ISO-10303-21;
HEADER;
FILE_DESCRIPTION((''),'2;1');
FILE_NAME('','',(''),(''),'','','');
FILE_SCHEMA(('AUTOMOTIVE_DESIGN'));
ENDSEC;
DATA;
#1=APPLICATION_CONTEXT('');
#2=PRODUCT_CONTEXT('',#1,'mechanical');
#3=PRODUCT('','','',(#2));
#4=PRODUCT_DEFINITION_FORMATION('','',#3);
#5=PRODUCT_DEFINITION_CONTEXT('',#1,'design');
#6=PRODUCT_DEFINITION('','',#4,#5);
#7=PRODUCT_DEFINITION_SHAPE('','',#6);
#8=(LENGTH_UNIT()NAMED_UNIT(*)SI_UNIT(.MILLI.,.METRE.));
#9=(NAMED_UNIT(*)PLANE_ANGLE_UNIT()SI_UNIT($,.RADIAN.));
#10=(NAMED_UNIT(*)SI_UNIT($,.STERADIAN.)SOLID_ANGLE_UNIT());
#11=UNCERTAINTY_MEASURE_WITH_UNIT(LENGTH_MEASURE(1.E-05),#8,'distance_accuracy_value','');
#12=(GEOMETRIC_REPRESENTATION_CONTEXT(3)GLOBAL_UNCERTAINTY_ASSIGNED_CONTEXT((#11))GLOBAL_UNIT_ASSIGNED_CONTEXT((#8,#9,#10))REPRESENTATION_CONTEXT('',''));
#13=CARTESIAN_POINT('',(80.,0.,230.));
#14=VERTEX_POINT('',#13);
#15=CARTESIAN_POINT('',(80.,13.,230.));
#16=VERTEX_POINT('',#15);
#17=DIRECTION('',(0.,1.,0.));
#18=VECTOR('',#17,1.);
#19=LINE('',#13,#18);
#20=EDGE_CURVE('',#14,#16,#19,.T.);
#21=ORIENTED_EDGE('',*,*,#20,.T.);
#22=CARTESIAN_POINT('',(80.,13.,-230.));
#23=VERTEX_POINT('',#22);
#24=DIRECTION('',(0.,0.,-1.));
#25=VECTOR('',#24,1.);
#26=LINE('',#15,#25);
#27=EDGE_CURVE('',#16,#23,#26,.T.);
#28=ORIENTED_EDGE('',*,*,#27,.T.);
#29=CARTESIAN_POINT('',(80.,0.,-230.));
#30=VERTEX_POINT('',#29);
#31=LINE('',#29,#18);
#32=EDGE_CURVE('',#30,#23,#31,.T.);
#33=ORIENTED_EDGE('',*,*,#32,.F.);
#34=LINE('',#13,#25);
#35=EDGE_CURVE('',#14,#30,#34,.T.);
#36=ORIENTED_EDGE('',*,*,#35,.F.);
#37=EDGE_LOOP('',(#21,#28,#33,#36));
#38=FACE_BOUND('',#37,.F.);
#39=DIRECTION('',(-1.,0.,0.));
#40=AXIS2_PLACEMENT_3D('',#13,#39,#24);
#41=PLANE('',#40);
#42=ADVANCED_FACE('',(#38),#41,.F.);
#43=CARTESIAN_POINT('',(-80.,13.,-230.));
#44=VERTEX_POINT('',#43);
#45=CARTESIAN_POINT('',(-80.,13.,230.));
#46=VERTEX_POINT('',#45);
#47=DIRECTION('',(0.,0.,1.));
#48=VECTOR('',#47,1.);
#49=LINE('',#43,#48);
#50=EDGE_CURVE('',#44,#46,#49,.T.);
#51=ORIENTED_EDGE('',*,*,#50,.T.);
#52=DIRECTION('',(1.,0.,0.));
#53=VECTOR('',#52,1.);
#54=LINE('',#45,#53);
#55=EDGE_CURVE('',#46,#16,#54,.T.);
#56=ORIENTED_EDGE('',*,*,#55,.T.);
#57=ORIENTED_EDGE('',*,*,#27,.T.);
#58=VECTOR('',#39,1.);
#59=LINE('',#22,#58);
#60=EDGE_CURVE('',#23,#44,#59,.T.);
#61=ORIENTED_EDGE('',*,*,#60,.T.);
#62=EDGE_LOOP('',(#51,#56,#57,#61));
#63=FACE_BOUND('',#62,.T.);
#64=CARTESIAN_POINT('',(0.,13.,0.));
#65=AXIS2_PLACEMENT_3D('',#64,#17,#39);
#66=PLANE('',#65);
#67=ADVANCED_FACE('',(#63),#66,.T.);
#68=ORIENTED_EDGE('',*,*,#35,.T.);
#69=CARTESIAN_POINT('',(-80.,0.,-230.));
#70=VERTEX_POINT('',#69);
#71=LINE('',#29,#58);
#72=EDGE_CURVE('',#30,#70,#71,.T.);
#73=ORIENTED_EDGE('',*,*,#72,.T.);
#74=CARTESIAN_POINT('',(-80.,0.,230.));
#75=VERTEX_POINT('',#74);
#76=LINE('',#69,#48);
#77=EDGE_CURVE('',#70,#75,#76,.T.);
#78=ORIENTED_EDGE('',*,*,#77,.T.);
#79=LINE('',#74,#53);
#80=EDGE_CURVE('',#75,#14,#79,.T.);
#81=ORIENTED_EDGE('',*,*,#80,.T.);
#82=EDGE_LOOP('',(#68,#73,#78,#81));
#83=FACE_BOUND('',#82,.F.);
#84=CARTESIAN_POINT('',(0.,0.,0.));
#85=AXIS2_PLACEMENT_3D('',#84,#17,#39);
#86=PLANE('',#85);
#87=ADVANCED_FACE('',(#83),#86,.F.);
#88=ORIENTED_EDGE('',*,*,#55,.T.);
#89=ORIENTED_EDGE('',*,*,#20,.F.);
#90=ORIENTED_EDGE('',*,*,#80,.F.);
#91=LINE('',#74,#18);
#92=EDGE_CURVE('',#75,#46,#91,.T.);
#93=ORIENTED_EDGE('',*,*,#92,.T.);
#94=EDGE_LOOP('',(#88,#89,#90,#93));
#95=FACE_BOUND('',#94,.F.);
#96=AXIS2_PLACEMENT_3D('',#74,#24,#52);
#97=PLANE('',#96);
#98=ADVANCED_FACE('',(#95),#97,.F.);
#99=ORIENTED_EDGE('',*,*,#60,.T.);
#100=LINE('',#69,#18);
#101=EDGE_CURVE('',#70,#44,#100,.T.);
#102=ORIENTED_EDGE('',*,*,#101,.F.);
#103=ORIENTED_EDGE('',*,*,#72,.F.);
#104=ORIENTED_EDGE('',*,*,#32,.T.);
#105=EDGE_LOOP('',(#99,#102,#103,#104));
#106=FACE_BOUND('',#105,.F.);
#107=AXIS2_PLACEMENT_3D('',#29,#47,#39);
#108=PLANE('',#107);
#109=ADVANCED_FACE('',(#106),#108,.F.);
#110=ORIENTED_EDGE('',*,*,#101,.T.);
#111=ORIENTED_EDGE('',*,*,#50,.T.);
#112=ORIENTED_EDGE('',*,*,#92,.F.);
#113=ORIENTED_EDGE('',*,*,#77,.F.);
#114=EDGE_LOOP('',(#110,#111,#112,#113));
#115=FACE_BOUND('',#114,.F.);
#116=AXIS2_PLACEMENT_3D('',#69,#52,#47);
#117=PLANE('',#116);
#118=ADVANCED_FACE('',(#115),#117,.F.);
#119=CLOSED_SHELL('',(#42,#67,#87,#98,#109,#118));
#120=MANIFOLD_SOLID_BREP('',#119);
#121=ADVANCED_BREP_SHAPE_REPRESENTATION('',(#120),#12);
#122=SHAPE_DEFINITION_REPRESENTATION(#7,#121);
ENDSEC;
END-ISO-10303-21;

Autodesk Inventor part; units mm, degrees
ref_plane "YZ Plane" through (0, 0, 0) normal (1, 0, 0) x (0, 1, 0)
ref_plane "XZ Plane" through (0, 0, 0) normal (0, 1, 0) x (-1, 0, 0)
ref_plane "XY Plane" through (0, 0, 0) normal (0, 0, 1) x (1, 0, 0)
sketch "Sketch1" plane through (0, 0, 0) normal (0, 1, 0) x (-1, 0, 0)
  line L0 (80, 230) -> (-80, 230)
  line L1 (-80, 230) -> (-80, -230)
  line L2 (-80, -230) -> (80, -230)
  line L3 (80, -230) -> (80, 230)
  line L4 (80, 230) -> (-80, -230) construction
  line L5 (-80, 230) -> (80, -230) construction
  point P0 (0, 0)
  dimension "d0" = 460
  dimension "d1" = 160
extrude "Extrusion1" add sketch "Sketch1" along normal blind 13
properties part number "CNC-X-axis- moving platform"
